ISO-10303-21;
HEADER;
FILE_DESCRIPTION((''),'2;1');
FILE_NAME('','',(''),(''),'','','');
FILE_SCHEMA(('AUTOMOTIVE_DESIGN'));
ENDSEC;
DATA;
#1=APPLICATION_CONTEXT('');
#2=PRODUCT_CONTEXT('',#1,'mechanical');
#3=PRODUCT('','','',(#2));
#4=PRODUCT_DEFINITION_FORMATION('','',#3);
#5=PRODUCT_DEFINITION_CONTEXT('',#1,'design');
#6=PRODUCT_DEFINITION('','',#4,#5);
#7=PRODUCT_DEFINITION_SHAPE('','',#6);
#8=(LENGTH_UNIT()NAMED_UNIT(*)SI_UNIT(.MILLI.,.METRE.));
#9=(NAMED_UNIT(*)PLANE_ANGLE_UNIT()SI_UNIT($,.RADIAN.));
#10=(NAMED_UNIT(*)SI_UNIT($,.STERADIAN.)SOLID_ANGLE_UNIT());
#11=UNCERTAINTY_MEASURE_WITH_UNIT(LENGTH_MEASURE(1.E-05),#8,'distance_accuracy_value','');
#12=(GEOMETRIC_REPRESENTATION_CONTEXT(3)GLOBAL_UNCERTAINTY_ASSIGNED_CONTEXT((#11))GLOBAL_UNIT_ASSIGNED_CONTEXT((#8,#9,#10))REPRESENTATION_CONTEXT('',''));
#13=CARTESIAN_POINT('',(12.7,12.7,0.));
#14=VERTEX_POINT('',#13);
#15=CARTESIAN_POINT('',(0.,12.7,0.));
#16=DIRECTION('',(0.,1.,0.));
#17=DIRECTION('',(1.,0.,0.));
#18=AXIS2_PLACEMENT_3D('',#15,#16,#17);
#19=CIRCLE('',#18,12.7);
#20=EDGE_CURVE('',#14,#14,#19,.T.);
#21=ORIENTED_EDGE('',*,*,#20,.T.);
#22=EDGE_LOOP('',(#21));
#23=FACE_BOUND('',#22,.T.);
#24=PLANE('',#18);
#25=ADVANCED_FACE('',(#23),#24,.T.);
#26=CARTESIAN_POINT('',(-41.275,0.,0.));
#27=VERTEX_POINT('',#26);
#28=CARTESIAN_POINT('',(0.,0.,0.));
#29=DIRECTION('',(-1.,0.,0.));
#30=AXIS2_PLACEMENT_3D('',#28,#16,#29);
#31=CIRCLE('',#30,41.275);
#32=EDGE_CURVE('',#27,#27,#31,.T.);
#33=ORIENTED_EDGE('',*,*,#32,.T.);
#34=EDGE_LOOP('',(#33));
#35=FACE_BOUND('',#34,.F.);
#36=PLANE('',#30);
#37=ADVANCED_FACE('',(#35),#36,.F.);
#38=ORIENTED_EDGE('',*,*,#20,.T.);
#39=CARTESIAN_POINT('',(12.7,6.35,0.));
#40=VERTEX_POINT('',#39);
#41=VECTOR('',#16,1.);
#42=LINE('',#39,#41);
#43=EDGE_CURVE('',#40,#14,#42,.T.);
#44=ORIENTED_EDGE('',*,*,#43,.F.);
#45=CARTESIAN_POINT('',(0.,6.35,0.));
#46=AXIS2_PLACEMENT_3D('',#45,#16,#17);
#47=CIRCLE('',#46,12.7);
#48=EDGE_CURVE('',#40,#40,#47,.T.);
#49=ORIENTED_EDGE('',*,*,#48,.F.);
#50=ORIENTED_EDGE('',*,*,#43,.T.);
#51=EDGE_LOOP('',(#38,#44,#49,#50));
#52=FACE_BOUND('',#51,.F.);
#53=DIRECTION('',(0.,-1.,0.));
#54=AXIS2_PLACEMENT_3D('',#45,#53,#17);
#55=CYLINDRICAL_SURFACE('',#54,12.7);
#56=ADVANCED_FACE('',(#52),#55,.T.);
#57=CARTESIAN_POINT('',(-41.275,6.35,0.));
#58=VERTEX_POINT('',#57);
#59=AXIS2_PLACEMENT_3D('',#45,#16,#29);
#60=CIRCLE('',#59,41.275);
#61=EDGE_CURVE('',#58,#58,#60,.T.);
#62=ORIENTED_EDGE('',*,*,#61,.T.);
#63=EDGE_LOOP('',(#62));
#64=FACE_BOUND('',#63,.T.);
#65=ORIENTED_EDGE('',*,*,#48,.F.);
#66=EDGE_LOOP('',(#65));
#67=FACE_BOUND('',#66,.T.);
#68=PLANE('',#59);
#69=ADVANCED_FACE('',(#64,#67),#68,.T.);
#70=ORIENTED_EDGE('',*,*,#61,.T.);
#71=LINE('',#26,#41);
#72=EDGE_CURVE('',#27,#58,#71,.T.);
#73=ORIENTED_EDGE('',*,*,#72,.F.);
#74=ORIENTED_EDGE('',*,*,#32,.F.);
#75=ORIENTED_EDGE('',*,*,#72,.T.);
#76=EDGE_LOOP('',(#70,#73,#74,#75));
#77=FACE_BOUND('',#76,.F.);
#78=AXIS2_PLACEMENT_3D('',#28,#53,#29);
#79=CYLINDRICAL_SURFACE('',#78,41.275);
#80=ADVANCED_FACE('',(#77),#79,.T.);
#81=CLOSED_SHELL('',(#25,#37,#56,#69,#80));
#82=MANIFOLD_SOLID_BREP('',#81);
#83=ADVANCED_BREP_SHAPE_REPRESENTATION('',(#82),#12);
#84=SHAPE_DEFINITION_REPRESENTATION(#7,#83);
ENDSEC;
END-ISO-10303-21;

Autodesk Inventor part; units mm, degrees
ref_plane "YZ Plane" through (0, 0, 0) normal (1, 0, 0) x (0, 1, 0)
ref_plane "XZ Plane" through (0, 0, 0) normal (0, 1, 0) x (-1, 0, 0)
ref_plane "XY Plane" through (0, 0, 0) normal (0, 0, 1) x (1, 0, 0)
sketch "Sketch1" plane through (0, 0, 0) normal (0, 1, 0) x (-1, 0, 0)
  circle A0 centre (0, 0) radius 38.1
  circle A1 centre (0, 0) radius 41.275
  dimension "d0" = 76.2
  dimension "d1" = 3.175
extrude "Extrusion1" add sketch "Sketch1" along normal blind 6.35 contours A0 | A1
sketch "Sketch2" plane through (0, 6.35, 0) normal (0, 1, 0) x (1, 0, 0)
  circle A0 centre (0, 0) radius 38.1
  circle A1 centre (0, 0) radius 12.7
  dimension "d4" = 76.2
  dimension "d5" = 25.4
extrude "Extrusion2" add sketch "Sketch2" along normal blind 6.35 contours A1
sketch "Sketch3" plane through (0, 12.7, 0) normal (0, 1, 0) x (1, 0, 0)
  point P0 (0, 0)
properties material "Brass, Soft Yellow"
